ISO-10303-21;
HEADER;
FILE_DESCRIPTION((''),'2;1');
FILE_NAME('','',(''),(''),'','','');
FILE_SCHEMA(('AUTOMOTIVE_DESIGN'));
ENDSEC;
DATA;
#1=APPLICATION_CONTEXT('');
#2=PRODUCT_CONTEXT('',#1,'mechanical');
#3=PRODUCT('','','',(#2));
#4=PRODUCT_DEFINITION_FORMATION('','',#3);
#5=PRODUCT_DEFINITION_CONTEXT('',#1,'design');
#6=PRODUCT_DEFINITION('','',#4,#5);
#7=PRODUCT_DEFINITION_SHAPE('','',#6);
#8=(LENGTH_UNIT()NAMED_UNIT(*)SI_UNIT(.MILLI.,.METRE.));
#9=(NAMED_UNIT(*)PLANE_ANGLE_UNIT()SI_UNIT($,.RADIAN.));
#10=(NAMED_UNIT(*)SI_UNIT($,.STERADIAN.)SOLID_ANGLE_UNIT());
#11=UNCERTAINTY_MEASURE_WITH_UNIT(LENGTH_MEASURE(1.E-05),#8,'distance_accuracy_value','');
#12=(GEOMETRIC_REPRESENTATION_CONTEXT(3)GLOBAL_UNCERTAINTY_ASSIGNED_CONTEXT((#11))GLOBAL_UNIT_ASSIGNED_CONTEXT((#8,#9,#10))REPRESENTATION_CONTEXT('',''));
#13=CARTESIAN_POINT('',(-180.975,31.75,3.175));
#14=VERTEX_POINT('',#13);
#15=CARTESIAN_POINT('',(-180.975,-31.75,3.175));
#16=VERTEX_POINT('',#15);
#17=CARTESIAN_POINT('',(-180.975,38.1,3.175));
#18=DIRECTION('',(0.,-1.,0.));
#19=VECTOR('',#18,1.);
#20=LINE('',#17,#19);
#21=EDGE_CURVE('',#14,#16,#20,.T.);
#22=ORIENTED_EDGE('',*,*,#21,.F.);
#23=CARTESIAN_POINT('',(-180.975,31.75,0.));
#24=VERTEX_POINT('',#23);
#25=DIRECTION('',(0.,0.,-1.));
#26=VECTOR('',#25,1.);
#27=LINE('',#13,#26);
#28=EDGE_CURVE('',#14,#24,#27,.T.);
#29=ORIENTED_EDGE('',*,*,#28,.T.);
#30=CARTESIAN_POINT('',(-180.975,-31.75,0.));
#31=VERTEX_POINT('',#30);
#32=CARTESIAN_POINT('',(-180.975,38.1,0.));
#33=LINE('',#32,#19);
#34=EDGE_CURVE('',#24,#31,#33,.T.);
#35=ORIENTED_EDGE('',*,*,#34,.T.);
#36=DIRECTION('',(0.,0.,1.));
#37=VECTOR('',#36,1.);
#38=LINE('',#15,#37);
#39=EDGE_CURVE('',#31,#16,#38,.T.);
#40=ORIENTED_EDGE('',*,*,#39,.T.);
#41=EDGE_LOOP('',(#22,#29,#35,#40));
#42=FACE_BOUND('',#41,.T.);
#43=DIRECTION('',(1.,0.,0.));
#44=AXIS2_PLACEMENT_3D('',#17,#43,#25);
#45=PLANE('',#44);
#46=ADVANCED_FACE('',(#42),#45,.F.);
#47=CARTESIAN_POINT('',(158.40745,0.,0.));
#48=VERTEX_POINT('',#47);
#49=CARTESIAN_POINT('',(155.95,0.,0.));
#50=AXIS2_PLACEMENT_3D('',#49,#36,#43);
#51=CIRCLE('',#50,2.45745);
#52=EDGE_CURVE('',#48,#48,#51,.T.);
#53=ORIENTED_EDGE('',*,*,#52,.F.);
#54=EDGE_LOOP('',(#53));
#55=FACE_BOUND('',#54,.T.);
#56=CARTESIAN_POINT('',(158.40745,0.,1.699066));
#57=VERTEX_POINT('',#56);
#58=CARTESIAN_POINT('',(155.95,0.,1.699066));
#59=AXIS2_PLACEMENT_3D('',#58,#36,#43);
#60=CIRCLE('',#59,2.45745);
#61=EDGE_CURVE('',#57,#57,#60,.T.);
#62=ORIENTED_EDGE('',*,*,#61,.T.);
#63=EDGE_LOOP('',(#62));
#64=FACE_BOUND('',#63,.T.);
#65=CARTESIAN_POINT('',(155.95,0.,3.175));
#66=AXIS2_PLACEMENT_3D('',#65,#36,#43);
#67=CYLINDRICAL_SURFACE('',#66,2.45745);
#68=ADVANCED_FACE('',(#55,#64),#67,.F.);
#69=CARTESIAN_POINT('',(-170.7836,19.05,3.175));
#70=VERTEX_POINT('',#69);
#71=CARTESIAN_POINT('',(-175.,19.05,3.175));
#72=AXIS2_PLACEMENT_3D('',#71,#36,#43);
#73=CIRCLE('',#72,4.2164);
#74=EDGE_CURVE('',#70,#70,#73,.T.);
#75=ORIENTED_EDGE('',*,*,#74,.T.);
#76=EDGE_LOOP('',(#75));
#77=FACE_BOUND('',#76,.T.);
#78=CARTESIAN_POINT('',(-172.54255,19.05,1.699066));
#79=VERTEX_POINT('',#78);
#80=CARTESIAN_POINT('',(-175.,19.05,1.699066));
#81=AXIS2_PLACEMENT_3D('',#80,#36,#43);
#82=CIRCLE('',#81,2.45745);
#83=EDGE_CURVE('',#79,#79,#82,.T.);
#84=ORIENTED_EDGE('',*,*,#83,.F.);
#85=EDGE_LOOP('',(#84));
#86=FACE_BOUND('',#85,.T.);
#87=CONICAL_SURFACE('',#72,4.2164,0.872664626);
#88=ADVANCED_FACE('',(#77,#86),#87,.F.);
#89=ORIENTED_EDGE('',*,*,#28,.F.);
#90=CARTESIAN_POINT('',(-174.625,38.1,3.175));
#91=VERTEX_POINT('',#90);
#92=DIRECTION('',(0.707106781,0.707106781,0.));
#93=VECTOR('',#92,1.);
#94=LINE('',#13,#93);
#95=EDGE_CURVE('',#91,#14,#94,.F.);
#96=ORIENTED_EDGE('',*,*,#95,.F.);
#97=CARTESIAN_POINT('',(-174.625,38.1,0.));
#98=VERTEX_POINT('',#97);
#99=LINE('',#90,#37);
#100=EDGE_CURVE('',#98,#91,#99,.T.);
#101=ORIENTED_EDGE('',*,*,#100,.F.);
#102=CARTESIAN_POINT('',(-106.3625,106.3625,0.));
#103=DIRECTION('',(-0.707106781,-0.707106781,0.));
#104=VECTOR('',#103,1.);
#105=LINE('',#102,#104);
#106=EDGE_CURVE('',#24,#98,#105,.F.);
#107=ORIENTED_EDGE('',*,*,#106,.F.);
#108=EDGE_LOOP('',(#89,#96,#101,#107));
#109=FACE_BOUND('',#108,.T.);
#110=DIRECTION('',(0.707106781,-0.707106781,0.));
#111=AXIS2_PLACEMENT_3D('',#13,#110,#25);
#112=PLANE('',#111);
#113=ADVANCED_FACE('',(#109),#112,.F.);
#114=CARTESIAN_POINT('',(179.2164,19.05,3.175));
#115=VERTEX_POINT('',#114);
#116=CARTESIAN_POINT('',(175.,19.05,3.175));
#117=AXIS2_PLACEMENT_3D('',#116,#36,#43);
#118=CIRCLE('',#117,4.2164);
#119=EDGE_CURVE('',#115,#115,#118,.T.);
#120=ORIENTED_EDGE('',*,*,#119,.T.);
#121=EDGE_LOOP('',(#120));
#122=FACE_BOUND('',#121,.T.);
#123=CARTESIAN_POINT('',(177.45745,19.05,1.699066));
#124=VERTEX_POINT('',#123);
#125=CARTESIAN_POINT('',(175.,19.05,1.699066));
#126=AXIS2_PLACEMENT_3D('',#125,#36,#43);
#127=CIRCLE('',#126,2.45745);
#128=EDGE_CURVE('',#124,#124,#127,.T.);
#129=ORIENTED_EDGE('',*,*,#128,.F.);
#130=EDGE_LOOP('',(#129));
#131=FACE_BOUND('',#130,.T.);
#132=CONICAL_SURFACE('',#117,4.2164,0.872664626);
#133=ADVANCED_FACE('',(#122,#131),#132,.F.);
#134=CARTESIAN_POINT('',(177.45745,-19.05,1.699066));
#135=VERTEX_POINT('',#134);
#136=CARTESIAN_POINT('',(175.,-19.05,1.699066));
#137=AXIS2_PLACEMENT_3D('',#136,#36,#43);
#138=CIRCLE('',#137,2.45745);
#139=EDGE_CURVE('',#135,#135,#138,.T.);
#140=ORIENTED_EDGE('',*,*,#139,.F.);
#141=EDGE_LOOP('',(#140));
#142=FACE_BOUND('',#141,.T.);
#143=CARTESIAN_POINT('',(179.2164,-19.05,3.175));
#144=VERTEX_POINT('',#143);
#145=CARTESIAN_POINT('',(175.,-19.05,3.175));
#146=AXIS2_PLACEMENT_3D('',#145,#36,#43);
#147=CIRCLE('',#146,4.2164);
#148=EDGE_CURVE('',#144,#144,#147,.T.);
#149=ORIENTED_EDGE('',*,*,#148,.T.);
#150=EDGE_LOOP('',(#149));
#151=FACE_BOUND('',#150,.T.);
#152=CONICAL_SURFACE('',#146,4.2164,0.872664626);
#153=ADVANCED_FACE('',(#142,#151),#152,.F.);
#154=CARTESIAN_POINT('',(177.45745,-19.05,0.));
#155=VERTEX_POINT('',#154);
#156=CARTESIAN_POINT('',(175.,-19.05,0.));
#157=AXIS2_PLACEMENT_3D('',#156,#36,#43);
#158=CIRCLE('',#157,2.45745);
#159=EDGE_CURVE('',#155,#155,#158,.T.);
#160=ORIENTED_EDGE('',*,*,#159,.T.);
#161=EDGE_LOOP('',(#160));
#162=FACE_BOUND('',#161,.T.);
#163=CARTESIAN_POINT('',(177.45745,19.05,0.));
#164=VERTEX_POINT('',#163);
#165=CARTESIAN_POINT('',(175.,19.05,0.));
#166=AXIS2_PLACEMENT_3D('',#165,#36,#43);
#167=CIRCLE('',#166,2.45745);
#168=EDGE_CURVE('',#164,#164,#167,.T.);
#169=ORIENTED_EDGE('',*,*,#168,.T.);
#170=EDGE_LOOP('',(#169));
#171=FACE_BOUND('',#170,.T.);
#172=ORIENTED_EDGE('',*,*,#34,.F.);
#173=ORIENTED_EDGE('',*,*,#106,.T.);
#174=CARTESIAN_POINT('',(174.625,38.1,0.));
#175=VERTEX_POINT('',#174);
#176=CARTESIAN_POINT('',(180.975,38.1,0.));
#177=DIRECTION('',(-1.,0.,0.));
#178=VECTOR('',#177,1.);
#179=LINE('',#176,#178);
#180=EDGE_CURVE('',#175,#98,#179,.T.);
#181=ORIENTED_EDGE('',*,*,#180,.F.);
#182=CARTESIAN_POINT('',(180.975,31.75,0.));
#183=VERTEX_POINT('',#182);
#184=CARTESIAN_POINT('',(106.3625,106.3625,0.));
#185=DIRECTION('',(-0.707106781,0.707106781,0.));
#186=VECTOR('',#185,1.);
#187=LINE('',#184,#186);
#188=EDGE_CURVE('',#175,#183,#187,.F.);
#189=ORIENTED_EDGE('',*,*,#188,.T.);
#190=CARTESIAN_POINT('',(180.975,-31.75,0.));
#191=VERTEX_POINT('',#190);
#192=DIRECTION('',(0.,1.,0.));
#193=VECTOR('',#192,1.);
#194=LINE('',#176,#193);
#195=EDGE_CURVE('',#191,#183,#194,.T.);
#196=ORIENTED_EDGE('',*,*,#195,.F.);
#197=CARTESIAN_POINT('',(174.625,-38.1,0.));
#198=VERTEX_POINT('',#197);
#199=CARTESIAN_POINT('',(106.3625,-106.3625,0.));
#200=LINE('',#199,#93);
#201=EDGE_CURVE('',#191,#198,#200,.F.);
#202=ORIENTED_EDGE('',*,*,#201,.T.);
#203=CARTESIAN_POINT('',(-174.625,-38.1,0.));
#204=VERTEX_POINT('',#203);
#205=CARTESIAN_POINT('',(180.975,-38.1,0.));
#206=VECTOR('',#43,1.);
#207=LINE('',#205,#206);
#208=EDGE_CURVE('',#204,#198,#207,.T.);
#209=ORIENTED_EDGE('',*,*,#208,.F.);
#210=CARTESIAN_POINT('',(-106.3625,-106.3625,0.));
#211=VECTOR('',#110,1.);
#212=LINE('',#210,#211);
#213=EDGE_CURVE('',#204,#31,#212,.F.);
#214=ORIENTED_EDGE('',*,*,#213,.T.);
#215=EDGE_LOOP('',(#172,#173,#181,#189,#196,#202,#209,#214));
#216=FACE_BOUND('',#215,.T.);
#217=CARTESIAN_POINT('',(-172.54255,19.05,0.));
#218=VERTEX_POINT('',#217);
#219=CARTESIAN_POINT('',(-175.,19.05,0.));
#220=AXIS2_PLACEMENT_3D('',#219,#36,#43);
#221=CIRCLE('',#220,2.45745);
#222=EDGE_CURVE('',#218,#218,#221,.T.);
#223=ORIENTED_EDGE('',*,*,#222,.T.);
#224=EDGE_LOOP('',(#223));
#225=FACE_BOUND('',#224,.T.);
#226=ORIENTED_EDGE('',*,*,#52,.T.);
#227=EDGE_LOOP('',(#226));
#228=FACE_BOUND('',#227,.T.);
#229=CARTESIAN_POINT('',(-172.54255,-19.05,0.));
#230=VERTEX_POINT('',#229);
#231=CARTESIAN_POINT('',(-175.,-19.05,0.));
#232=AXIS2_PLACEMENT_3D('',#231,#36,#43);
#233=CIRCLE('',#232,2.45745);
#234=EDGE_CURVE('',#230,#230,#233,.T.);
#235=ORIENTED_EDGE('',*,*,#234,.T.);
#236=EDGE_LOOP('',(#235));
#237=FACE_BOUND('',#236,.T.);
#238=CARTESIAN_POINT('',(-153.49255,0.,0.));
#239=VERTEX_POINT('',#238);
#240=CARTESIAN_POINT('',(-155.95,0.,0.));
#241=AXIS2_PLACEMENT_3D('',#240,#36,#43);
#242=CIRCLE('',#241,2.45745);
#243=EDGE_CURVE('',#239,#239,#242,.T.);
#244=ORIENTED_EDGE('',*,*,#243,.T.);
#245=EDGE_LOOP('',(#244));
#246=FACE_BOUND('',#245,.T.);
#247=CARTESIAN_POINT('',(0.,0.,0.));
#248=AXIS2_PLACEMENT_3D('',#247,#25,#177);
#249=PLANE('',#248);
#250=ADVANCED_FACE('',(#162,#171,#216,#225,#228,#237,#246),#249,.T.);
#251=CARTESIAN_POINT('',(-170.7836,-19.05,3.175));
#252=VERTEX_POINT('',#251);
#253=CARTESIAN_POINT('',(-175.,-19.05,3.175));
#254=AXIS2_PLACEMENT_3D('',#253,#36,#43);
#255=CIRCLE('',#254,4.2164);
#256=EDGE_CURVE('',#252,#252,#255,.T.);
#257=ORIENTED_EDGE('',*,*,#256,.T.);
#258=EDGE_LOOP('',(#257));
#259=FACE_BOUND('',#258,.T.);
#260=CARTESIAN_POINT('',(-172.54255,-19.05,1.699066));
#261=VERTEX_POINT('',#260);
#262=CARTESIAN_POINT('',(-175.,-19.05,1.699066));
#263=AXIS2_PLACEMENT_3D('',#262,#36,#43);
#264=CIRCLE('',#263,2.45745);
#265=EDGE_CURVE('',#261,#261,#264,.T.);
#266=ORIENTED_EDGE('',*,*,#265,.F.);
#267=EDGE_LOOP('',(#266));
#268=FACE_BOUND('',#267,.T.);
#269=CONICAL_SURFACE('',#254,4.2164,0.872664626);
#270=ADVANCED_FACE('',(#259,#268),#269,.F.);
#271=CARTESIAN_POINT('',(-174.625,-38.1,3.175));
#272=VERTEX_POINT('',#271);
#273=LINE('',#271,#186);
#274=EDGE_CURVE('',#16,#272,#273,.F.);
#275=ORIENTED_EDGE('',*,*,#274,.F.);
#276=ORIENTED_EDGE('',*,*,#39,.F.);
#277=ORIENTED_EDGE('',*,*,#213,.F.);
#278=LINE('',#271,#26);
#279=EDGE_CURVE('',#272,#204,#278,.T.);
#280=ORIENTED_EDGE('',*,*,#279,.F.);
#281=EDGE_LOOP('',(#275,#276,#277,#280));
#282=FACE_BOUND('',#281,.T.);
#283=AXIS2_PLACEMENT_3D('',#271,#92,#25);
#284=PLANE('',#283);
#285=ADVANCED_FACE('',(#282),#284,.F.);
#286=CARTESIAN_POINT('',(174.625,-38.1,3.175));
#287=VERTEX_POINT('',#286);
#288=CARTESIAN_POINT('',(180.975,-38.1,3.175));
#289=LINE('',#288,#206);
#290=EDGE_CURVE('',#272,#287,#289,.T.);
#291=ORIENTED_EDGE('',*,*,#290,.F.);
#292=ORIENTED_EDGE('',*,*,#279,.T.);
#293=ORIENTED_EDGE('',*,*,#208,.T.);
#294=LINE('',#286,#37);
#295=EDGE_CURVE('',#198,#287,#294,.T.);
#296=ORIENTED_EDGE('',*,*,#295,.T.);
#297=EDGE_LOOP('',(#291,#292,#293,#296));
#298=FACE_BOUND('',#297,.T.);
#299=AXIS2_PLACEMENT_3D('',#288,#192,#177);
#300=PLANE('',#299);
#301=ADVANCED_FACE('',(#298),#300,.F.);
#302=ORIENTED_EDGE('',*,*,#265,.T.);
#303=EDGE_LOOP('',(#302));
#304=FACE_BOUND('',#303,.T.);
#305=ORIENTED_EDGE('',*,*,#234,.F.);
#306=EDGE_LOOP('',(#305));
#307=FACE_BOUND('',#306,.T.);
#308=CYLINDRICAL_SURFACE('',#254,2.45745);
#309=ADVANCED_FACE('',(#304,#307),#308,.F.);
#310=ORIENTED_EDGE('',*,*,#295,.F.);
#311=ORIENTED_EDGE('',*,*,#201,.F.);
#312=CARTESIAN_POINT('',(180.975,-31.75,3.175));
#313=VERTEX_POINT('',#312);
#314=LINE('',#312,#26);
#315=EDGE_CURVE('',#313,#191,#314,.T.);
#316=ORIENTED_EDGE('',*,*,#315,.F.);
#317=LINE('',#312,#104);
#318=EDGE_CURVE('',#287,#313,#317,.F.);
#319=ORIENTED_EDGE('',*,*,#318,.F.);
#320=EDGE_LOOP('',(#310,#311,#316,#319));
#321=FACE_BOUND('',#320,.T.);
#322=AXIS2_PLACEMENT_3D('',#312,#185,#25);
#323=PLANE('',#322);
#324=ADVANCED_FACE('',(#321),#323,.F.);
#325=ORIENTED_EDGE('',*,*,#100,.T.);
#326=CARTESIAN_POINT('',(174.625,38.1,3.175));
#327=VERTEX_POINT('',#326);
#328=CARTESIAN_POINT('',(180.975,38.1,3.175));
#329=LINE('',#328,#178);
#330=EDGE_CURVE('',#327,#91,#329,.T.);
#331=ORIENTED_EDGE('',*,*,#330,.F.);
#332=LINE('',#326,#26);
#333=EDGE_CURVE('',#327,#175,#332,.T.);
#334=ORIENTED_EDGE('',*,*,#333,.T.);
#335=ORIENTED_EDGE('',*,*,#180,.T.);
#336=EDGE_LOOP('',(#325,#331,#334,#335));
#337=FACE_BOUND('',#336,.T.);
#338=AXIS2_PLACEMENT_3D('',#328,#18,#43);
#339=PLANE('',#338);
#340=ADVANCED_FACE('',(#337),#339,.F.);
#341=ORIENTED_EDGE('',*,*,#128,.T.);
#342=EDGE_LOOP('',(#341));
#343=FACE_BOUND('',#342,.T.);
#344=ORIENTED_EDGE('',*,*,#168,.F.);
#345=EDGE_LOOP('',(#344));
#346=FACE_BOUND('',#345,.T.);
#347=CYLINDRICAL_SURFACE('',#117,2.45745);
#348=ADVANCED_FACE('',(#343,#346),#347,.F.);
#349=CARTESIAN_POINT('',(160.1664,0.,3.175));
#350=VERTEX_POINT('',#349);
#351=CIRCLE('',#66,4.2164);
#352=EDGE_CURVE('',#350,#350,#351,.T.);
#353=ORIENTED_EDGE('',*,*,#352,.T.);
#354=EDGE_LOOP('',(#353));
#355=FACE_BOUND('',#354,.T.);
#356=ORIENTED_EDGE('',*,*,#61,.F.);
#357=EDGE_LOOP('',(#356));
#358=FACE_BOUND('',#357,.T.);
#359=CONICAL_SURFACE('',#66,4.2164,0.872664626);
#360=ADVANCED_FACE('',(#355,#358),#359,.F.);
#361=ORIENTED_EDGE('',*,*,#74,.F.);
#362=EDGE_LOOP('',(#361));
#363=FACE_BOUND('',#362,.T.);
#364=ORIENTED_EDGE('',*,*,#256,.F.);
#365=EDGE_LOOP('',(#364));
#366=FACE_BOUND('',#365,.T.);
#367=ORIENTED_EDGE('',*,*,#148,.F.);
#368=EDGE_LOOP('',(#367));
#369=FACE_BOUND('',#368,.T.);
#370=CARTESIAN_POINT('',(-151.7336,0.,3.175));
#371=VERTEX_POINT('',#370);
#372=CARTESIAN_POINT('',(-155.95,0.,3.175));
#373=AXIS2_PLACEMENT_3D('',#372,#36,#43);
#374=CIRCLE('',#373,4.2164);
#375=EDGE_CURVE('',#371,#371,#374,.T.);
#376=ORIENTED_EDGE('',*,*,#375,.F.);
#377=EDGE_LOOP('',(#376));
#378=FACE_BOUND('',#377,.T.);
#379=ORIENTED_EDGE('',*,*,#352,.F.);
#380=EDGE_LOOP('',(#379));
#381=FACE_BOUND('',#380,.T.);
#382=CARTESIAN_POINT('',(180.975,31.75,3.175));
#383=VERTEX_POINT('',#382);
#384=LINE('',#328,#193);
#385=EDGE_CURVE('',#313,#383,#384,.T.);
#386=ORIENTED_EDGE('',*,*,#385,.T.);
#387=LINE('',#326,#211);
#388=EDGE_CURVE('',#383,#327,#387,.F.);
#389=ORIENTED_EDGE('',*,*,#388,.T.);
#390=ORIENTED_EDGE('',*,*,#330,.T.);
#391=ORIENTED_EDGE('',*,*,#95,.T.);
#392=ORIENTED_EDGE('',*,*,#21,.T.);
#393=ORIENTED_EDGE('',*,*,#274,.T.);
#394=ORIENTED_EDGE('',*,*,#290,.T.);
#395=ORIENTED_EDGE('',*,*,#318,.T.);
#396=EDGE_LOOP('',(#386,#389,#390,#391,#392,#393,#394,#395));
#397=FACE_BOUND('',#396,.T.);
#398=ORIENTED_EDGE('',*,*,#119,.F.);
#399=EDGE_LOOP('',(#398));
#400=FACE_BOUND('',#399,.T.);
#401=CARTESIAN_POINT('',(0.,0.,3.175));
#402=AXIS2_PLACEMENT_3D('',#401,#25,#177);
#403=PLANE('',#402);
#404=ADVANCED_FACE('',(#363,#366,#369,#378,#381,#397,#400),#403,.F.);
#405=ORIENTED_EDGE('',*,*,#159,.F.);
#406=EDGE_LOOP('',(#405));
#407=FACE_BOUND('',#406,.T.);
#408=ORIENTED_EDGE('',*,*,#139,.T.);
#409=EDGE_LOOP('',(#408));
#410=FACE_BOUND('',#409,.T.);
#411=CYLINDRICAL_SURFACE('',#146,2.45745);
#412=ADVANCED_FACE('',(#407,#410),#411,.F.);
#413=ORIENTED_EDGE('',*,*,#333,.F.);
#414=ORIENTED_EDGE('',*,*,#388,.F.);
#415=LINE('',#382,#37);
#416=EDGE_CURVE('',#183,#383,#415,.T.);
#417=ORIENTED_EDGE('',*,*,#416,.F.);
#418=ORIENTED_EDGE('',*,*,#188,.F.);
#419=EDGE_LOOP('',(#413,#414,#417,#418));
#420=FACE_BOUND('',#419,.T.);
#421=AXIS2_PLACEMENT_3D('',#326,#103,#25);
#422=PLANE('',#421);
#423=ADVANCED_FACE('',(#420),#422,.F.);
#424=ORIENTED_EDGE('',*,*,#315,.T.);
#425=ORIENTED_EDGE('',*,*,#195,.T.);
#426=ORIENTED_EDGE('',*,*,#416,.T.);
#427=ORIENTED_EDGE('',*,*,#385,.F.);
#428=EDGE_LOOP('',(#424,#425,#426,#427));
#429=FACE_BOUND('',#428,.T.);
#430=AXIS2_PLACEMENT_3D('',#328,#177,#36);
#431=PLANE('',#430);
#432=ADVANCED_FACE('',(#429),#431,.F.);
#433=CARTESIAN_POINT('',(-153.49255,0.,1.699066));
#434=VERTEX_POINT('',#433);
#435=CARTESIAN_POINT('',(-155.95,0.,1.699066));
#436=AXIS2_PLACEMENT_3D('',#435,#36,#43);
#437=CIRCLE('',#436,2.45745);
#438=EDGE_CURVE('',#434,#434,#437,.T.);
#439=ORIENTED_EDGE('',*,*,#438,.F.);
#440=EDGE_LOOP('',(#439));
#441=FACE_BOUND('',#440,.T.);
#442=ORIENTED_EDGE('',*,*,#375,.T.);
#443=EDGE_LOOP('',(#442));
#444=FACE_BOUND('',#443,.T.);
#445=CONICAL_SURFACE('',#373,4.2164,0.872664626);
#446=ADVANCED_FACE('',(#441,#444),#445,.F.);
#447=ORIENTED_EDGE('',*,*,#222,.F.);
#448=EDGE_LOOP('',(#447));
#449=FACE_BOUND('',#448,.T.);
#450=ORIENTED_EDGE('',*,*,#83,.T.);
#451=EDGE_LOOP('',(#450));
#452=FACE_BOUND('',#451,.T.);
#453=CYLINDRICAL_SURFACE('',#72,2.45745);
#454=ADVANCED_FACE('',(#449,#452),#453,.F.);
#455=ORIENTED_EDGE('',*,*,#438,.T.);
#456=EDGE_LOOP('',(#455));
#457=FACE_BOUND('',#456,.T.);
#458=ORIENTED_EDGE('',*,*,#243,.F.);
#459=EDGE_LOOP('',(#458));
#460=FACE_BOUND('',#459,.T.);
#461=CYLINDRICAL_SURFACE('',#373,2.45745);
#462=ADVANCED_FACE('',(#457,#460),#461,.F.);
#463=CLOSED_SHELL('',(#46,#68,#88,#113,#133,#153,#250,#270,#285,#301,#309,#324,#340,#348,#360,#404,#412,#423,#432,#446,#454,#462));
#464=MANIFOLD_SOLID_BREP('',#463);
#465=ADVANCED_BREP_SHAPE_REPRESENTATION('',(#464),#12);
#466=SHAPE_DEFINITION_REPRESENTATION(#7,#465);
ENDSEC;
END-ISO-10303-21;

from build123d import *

# Parameters (mm, degrees)
SKETCH1_W                                 = 361.95
SKETCH1_H                                 = 76.2
BOSS_EXTRUDE1_DEPTH                       = 3.175
CSK_FOR_8_FLAT_HEAD_MACHINE_SCREW_2_COUNT = 2
CSK_FOR_8_FLAT_HEAD_MACHINE_SCREW_2_PITCH = 349.999999988
CSK_FOR_8_FLAT_HEAD_MACHINE_SCREW_3_COUNT = 2
CSK_FOR_8_FLAT_HEAD_MACHINE_SCREW_3_PITCH = 352.067621334
CSK_FOR_8_FLAT_HEAD_MACHINE_SCREW_4_COUNT = 2
CSK_FOR_8_FLAT_HEAD_MACHINE_SCREW_4_PITCH = 331.497820494
CSK_FOR_8_FLAT_HEAD_MACHINE_SCREW_5_COUNT = 2
CSK_FOR_8_FLAT_HEAD_MACHINE_SCREW_5_PITCH = 26.940768363
CSK_FOR_8_FLAT_HEAD_MACHINE_SCREW_6_COUNT = 2
CSK_FOR_8_FLAT_HEAD_MACHINE_SCREW_6_PITCH = 38.1
CHAMFER1_SIZE                             = 6.35


with BuildPart() as part:
    # Sketch1 → Boss-Extrude1 (new body)
    with BuildSketch(Plane.XY):
        Rectangle(SKETCH1_W, SKETCH1_H)
    extrude(amount=BOSS_EXTRUDE1_DEPTH)

    # Sketch3 → CSK for #8 Flat Head Machine Screw (100)1 (revolve, cut)
    with BuildSketch(Plane(origin=(-174.999999994, 19.05, 3.175), x_dir=(0, -1, 0), z_dir=(1, 0, 0))):
        Polygon((0, 0), (0, 3.175), (2.45745, 3.175), (2.45745, 1.475934296), (4.2164, 0), align=None)
    csk_for_8_flat_head_machine_screw_100 = revolve(axis=Axis((-174.999999994, 19.05, 9.525), (0, 0, -1)), mode=Mode.SUBTRACT)

    # CSK for _8 Flat Head Machine Screw _ 2: CSK for #8 Flat Head Machine Screw (100)1 ×2
    with Locations(*[(i * CSK_FOR_8_FLAT_HEAD_MACHINE_SCREW_2_PITCH, 0, 0) for i in range(1, CSK_FOR_8_FLAT_HEAD_MACHINE_SCREW_2_COUNT)]):
        add(csk_for_8_flat_head_machine_screw_100, mode=Mode.SUBTRACT)

    # CSK for _8 Flat Head Machine Screw _ 3: CSK for #8 Flat Head Machine Screw (100)1 ×2
    with Locations(*[Vector(0.9941272039220534, -0.10821784705916154, 0) * (i * CSK_FOR_8_FLAT_HEAD_MACHINE_SCREW_3_PITCH) for i in range(1, CSK_FOR_8_FLAT_HEAD_MACHINE_SCREW_3_COUNT)]):
        add(csk_for_8_flat_head_machine_screw_100, mode=Mode.SUBTRACT)

    # CSK for _8 Flat Head Machine Screw _ 4: CSK for #8 Flat Head Machine Screw (100)1 ×2
    with Locations(*[Vector(0.9983474385899155, -0.05746644117182559, 0) * (i * CSK_FOR_8_FLAT_HEAD_MACHINE_SCREW_4_PITCH) for i in range(1, CSK_FOR_8_FLAT_HEAD_MACHINE_SCREW_4_COUNT)]):
        add(csk_for_8_flat_head_machine_screw_100, mode=Mode.SUBTRACT)

    # CSK for _8 Flat Head Machine Screw _ 5: CSK for #8 Flat Head Machine Screw (100)1 ×2
    with Locations(*[Vector(0.7071067811865517, -0.7071067811865435, 0) * (i * CSK_FOR_8_FLAT_HEAD_MACHINE_SCREW_5_PITCH) for i in range(1, CSK_FOR_8_FLAT_HEAD_MACHINE_SCREW_5_COUNT)]):
        add(csk_for_8_flat_head_machine_screw_100, mode=Mode.SUBTRACT)

    # CSK for _8 Flat Head Machine Screw _ 6: CSK for #8 Flat Head Machine Screw (100)1 ×2
    with Locations(*[(0, -i * CSK_FOR_8_FLAT_HEAD_MACHINE_SCREW_6_PITCH, 0) for i in range(1, CSK_FOR_8_FLAT_HEAD_MACHINE_SCREW_6_COUNT)]):
        add(csk_for_8_flat_head_machine_screw_100, mode=Mode.SUBTRACT)

    # Chamfer1
    chamfer1_edges = [part.edges().sort_by_distance(p)[0] for p in [
        (-180.975, 38.1, 1.5875),
        (180.975, 38.1, 1.5875),
        (180.975, -38.1, 1.5875),
        (-180.975, -38.1, 1.5875),
    ]]
    chamfer(chamfer1_edges, length=CHAMFER1_SIZE)


solid = part.part
